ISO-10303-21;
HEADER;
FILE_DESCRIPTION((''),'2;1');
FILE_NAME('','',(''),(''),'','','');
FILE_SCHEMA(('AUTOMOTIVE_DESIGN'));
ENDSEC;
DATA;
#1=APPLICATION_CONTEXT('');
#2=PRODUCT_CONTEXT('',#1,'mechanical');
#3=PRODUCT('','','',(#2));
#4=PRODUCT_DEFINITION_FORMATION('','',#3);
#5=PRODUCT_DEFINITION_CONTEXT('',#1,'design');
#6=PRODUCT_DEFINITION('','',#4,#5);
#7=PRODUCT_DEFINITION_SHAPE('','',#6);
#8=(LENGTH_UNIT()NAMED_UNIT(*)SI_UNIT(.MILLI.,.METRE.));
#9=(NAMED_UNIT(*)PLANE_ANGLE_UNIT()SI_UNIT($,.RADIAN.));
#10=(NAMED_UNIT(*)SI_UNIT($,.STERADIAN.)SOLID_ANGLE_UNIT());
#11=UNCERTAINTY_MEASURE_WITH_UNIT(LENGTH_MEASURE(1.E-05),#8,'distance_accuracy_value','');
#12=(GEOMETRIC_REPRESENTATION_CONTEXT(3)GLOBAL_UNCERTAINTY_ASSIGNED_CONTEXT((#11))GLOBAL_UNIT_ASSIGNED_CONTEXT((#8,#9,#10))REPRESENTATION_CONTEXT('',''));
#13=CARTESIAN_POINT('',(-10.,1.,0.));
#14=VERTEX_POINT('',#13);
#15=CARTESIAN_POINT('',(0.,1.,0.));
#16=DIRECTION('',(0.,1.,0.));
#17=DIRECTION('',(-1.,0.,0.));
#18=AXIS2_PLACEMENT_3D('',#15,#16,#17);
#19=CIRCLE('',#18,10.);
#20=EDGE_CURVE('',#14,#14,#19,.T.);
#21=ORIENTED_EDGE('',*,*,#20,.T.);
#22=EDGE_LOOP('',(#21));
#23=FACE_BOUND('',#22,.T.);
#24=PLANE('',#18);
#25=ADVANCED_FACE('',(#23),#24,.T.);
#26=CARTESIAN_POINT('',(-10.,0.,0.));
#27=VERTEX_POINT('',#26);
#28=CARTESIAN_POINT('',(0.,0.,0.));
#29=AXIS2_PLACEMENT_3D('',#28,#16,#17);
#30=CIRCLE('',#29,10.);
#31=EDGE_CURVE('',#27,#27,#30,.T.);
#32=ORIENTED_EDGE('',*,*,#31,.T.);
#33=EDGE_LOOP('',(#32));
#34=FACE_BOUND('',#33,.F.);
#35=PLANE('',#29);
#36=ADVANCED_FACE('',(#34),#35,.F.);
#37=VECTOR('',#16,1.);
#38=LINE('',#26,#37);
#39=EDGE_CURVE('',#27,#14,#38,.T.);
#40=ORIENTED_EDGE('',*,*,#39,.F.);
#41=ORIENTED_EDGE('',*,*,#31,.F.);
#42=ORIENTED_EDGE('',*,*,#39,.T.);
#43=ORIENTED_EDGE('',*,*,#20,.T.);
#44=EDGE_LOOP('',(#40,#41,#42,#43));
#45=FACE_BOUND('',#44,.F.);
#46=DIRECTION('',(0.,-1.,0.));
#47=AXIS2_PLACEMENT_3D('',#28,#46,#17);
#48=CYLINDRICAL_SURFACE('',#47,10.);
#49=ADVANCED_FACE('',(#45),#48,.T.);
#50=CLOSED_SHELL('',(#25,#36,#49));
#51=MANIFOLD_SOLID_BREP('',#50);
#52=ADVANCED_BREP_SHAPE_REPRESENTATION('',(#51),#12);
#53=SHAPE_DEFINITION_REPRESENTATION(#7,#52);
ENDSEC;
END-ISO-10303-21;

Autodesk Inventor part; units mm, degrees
ref_plane "YZ Plane" through (0, 0, 0) normal (1, 0, 0) x (0, 1, 0)
ref_plane "XZ Plane" through (0, 0, 0) normal (0, 1, 0) x (-1, 0, 0)
ref_plane "XY Plane" through (0, 0, 0) normal (0, 0, 1) x (1, 0, 0)
sketch "Sketch1" plane through (0, 0, 0) normal (0, 1, 0) x (-1, 0, 0)
  circle A0 centre (0, 0) radius 10
  dimension "d0" = 20
extrude "Extrusion1" add sketch "Sketch1" along normal blind 1
properties part number "pietzo"
